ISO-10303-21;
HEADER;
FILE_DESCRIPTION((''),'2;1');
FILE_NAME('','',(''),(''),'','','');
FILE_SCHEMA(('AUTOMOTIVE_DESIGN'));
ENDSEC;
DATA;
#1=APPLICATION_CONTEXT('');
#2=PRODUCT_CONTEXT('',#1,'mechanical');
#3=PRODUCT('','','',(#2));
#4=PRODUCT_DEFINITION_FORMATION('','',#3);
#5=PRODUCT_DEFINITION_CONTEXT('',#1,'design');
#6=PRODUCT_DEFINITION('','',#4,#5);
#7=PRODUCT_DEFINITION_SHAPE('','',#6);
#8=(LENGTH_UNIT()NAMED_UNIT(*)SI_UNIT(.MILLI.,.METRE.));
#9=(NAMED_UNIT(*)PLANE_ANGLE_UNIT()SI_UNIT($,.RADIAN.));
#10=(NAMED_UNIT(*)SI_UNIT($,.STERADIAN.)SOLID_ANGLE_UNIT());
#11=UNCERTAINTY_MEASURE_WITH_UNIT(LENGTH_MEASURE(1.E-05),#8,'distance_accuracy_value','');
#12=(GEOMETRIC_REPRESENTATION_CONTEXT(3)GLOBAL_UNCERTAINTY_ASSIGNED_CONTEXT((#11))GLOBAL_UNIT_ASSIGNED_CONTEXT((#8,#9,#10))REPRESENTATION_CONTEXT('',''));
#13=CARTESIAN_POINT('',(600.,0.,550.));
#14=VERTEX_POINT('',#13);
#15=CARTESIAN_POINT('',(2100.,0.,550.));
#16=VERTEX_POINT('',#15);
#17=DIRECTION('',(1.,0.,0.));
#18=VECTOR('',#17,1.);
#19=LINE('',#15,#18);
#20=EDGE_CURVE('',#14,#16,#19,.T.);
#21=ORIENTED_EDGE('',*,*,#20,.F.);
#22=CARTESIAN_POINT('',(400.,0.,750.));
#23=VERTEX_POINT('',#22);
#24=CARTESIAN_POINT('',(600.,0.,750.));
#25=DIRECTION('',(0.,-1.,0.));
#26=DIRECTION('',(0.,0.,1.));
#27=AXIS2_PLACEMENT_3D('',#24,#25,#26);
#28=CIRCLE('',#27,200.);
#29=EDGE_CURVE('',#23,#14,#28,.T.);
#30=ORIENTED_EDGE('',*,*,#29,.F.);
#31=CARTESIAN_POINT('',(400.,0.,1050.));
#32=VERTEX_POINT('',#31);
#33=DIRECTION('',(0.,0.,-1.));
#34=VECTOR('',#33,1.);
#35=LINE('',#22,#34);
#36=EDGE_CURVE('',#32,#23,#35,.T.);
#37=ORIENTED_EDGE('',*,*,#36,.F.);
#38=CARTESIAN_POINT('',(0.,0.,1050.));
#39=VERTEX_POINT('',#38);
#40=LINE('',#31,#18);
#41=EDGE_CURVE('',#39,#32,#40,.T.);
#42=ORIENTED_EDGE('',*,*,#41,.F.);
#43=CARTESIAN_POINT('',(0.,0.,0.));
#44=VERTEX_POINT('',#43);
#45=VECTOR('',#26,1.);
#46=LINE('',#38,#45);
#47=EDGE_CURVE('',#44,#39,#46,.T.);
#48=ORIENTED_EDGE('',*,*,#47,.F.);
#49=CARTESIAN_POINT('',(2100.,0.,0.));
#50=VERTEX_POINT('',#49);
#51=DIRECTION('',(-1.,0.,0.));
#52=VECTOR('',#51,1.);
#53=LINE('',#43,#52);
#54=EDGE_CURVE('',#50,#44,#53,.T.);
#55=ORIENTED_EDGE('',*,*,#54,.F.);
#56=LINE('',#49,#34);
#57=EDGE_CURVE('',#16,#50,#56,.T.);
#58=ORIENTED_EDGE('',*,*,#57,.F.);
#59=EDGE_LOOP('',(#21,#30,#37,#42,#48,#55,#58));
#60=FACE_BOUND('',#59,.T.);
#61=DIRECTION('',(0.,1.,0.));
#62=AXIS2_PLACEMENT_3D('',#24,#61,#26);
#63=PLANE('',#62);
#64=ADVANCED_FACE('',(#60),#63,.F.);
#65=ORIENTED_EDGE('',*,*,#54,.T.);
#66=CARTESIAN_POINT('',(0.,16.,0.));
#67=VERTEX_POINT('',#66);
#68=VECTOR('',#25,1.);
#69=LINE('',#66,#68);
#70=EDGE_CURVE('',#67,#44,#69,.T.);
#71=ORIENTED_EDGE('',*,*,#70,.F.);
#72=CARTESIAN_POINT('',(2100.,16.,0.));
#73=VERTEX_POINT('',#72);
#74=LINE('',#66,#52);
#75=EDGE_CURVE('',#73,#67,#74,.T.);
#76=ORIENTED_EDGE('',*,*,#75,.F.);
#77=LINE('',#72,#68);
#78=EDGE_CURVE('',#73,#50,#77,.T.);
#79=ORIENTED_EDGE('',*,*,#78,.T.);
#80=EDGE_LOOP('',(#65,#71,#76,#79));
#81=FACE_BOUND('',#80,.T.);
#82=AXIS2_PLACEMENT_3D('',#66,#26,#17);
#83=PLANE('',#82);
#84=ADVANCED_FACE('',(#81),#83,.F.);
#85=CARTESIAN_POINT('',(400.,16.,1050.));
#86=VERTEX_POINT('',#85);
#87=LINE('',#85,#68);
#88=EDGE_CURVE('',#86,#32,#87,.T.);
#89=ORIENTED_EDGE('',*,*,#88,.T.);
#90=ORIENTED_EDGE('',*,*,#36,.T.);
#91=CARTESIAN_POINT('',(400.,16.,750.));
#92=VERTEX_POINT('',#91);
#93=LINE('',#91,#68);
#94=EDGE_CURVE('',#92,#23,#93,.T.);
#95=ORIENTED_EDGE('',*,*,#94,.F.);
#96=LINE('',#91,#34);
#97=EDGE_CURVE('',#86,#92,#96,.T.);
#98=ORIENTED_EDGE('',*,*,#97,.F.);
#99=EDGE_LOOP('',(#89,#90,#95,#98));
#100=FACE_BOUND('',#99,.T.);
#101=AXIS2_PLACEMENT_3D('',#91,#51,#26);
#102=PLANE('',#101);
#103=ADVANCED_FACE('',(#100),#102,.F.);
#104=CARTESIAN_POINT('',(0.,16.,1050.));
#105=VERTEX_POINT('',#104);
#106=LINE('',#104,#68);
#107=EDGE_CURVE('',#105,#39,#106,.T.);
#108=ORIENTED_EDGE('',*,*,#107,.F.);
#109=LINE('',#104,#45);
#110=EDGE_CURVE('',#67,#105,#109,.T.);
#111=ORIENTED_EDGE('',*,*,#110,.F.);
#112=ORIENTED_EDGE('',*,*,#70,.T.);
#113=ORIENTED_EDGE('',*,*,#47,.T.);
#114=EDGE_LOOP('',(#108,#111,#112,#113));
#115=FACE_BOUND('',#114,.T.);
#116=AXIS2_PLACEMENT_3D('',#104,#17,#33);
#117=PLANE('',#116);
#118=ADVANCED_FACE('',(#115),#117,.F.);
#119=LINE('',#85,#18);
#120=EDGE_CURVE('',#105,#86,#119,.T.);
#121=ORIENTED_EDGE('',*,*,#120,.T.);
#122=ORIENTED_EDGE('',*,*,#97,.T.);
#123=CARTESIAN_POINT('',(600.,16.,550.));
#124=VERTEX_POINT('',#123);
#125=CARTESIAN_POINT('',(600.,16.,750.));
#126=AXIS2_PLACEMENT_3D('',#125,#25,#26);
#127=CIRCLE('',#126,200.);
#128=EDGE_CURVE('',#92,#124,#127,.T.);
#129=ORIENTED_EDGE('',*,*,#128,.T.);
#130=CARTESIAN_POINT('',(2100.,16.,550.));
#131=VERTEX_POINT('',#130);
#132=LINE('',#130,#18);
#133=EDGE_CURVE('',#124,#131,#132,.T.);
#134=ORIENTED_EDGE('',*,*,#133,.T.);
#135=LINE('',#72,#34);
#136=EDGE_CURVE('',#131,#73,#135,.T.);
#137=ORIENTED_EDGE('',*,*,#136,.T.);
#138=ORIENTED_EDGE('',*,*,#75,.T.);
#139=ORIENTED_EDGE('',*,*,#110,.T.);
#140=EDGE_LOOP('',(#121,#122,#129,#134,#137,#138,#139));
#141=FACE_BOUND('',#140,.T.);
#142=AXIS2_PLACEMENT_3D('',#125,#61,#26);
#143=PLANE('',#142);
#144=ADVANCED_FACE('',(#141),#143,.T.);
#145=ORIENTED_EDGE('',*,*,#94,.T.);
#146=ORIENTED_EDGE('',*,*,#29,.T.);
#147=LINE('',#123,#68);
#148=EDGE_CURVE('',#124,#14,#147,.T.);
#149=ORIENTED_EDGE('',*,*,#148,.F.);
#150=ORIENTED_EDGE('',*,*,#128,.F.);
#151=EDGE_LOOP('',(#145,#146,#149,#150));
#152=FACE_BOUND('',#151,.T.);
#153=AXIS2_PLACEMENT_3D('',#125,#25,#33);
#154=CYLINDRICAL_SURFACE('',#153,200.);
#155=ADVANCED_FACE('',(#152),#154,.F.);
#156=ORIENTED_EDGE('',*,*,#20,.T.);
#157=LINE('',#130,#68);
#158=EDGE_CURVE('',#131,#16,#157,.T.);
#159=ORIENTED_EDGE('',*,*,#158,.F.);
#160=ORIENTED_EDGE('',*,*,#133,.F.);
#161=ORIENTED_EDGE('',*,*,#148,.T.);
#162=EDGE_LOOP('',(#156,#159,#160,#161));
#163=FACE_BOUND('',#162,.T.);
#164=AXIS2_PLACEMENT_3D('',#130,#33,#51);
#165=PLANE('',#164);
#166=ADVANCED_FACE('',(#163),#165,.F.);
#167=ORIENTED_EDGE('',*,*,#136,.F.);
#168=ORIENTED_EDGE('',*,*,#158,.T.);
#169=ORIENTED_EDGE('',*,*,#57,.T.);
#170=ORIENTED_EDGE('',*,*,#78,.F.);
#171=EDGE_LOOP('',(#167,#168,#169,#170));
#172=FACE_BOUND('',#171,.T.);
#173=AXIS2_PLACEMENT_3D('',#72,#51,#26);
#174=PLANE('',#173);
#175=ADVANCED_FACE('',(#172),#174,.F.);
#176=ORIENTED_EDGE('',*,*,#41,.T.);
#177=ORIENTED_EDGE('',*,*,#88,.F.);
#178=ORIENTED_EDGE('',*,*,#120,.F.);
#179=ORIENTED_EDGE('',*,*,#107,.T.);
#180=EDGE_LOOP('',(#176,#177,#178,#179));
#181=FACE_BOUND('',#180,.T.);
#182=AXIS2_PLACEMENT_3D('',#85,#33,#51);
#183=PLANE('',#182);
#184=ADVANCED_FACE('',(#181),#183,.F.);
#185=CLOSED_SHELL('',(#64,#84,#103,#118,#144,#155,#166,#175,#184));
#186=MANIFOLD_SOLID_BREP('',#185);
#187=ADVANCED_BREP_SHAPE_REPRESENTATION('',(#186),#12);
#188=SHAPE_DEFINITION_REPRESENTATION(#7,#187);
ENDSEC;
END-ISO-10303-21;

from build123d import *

# Parameters (mm, degrees)
AUFSATZ_LINEAR_AUSTRAGEN1_DEPTH = 16


with BuildPart() as part:
    # Skizze1 → Aufsatz-Linear austragen1 (new body)
    with BuildSketch(Plane(origin=(0, 0, 0), x_dir=(1, 0, 0), z_dir=(0, 1, 0))):
        with BuildLine():
            Line((0, 0), (2100, 0))
            Line((2100, 0), (2100, -550))
            Line((2100, -550), (600, -550))
            ThreePointArc((600, -550), (458.578643763, -608.578643763), (400, -750))
            Line((400, -750), (400, -1050))
            Line((400, -1050), (0, -1050))
            Line((0, -1050), (0, 0))
        make_face()
    extrude(amount=AUFSATZ_LINEAR_AUSTRAGEN1_DEPTH)


solid = part.part
